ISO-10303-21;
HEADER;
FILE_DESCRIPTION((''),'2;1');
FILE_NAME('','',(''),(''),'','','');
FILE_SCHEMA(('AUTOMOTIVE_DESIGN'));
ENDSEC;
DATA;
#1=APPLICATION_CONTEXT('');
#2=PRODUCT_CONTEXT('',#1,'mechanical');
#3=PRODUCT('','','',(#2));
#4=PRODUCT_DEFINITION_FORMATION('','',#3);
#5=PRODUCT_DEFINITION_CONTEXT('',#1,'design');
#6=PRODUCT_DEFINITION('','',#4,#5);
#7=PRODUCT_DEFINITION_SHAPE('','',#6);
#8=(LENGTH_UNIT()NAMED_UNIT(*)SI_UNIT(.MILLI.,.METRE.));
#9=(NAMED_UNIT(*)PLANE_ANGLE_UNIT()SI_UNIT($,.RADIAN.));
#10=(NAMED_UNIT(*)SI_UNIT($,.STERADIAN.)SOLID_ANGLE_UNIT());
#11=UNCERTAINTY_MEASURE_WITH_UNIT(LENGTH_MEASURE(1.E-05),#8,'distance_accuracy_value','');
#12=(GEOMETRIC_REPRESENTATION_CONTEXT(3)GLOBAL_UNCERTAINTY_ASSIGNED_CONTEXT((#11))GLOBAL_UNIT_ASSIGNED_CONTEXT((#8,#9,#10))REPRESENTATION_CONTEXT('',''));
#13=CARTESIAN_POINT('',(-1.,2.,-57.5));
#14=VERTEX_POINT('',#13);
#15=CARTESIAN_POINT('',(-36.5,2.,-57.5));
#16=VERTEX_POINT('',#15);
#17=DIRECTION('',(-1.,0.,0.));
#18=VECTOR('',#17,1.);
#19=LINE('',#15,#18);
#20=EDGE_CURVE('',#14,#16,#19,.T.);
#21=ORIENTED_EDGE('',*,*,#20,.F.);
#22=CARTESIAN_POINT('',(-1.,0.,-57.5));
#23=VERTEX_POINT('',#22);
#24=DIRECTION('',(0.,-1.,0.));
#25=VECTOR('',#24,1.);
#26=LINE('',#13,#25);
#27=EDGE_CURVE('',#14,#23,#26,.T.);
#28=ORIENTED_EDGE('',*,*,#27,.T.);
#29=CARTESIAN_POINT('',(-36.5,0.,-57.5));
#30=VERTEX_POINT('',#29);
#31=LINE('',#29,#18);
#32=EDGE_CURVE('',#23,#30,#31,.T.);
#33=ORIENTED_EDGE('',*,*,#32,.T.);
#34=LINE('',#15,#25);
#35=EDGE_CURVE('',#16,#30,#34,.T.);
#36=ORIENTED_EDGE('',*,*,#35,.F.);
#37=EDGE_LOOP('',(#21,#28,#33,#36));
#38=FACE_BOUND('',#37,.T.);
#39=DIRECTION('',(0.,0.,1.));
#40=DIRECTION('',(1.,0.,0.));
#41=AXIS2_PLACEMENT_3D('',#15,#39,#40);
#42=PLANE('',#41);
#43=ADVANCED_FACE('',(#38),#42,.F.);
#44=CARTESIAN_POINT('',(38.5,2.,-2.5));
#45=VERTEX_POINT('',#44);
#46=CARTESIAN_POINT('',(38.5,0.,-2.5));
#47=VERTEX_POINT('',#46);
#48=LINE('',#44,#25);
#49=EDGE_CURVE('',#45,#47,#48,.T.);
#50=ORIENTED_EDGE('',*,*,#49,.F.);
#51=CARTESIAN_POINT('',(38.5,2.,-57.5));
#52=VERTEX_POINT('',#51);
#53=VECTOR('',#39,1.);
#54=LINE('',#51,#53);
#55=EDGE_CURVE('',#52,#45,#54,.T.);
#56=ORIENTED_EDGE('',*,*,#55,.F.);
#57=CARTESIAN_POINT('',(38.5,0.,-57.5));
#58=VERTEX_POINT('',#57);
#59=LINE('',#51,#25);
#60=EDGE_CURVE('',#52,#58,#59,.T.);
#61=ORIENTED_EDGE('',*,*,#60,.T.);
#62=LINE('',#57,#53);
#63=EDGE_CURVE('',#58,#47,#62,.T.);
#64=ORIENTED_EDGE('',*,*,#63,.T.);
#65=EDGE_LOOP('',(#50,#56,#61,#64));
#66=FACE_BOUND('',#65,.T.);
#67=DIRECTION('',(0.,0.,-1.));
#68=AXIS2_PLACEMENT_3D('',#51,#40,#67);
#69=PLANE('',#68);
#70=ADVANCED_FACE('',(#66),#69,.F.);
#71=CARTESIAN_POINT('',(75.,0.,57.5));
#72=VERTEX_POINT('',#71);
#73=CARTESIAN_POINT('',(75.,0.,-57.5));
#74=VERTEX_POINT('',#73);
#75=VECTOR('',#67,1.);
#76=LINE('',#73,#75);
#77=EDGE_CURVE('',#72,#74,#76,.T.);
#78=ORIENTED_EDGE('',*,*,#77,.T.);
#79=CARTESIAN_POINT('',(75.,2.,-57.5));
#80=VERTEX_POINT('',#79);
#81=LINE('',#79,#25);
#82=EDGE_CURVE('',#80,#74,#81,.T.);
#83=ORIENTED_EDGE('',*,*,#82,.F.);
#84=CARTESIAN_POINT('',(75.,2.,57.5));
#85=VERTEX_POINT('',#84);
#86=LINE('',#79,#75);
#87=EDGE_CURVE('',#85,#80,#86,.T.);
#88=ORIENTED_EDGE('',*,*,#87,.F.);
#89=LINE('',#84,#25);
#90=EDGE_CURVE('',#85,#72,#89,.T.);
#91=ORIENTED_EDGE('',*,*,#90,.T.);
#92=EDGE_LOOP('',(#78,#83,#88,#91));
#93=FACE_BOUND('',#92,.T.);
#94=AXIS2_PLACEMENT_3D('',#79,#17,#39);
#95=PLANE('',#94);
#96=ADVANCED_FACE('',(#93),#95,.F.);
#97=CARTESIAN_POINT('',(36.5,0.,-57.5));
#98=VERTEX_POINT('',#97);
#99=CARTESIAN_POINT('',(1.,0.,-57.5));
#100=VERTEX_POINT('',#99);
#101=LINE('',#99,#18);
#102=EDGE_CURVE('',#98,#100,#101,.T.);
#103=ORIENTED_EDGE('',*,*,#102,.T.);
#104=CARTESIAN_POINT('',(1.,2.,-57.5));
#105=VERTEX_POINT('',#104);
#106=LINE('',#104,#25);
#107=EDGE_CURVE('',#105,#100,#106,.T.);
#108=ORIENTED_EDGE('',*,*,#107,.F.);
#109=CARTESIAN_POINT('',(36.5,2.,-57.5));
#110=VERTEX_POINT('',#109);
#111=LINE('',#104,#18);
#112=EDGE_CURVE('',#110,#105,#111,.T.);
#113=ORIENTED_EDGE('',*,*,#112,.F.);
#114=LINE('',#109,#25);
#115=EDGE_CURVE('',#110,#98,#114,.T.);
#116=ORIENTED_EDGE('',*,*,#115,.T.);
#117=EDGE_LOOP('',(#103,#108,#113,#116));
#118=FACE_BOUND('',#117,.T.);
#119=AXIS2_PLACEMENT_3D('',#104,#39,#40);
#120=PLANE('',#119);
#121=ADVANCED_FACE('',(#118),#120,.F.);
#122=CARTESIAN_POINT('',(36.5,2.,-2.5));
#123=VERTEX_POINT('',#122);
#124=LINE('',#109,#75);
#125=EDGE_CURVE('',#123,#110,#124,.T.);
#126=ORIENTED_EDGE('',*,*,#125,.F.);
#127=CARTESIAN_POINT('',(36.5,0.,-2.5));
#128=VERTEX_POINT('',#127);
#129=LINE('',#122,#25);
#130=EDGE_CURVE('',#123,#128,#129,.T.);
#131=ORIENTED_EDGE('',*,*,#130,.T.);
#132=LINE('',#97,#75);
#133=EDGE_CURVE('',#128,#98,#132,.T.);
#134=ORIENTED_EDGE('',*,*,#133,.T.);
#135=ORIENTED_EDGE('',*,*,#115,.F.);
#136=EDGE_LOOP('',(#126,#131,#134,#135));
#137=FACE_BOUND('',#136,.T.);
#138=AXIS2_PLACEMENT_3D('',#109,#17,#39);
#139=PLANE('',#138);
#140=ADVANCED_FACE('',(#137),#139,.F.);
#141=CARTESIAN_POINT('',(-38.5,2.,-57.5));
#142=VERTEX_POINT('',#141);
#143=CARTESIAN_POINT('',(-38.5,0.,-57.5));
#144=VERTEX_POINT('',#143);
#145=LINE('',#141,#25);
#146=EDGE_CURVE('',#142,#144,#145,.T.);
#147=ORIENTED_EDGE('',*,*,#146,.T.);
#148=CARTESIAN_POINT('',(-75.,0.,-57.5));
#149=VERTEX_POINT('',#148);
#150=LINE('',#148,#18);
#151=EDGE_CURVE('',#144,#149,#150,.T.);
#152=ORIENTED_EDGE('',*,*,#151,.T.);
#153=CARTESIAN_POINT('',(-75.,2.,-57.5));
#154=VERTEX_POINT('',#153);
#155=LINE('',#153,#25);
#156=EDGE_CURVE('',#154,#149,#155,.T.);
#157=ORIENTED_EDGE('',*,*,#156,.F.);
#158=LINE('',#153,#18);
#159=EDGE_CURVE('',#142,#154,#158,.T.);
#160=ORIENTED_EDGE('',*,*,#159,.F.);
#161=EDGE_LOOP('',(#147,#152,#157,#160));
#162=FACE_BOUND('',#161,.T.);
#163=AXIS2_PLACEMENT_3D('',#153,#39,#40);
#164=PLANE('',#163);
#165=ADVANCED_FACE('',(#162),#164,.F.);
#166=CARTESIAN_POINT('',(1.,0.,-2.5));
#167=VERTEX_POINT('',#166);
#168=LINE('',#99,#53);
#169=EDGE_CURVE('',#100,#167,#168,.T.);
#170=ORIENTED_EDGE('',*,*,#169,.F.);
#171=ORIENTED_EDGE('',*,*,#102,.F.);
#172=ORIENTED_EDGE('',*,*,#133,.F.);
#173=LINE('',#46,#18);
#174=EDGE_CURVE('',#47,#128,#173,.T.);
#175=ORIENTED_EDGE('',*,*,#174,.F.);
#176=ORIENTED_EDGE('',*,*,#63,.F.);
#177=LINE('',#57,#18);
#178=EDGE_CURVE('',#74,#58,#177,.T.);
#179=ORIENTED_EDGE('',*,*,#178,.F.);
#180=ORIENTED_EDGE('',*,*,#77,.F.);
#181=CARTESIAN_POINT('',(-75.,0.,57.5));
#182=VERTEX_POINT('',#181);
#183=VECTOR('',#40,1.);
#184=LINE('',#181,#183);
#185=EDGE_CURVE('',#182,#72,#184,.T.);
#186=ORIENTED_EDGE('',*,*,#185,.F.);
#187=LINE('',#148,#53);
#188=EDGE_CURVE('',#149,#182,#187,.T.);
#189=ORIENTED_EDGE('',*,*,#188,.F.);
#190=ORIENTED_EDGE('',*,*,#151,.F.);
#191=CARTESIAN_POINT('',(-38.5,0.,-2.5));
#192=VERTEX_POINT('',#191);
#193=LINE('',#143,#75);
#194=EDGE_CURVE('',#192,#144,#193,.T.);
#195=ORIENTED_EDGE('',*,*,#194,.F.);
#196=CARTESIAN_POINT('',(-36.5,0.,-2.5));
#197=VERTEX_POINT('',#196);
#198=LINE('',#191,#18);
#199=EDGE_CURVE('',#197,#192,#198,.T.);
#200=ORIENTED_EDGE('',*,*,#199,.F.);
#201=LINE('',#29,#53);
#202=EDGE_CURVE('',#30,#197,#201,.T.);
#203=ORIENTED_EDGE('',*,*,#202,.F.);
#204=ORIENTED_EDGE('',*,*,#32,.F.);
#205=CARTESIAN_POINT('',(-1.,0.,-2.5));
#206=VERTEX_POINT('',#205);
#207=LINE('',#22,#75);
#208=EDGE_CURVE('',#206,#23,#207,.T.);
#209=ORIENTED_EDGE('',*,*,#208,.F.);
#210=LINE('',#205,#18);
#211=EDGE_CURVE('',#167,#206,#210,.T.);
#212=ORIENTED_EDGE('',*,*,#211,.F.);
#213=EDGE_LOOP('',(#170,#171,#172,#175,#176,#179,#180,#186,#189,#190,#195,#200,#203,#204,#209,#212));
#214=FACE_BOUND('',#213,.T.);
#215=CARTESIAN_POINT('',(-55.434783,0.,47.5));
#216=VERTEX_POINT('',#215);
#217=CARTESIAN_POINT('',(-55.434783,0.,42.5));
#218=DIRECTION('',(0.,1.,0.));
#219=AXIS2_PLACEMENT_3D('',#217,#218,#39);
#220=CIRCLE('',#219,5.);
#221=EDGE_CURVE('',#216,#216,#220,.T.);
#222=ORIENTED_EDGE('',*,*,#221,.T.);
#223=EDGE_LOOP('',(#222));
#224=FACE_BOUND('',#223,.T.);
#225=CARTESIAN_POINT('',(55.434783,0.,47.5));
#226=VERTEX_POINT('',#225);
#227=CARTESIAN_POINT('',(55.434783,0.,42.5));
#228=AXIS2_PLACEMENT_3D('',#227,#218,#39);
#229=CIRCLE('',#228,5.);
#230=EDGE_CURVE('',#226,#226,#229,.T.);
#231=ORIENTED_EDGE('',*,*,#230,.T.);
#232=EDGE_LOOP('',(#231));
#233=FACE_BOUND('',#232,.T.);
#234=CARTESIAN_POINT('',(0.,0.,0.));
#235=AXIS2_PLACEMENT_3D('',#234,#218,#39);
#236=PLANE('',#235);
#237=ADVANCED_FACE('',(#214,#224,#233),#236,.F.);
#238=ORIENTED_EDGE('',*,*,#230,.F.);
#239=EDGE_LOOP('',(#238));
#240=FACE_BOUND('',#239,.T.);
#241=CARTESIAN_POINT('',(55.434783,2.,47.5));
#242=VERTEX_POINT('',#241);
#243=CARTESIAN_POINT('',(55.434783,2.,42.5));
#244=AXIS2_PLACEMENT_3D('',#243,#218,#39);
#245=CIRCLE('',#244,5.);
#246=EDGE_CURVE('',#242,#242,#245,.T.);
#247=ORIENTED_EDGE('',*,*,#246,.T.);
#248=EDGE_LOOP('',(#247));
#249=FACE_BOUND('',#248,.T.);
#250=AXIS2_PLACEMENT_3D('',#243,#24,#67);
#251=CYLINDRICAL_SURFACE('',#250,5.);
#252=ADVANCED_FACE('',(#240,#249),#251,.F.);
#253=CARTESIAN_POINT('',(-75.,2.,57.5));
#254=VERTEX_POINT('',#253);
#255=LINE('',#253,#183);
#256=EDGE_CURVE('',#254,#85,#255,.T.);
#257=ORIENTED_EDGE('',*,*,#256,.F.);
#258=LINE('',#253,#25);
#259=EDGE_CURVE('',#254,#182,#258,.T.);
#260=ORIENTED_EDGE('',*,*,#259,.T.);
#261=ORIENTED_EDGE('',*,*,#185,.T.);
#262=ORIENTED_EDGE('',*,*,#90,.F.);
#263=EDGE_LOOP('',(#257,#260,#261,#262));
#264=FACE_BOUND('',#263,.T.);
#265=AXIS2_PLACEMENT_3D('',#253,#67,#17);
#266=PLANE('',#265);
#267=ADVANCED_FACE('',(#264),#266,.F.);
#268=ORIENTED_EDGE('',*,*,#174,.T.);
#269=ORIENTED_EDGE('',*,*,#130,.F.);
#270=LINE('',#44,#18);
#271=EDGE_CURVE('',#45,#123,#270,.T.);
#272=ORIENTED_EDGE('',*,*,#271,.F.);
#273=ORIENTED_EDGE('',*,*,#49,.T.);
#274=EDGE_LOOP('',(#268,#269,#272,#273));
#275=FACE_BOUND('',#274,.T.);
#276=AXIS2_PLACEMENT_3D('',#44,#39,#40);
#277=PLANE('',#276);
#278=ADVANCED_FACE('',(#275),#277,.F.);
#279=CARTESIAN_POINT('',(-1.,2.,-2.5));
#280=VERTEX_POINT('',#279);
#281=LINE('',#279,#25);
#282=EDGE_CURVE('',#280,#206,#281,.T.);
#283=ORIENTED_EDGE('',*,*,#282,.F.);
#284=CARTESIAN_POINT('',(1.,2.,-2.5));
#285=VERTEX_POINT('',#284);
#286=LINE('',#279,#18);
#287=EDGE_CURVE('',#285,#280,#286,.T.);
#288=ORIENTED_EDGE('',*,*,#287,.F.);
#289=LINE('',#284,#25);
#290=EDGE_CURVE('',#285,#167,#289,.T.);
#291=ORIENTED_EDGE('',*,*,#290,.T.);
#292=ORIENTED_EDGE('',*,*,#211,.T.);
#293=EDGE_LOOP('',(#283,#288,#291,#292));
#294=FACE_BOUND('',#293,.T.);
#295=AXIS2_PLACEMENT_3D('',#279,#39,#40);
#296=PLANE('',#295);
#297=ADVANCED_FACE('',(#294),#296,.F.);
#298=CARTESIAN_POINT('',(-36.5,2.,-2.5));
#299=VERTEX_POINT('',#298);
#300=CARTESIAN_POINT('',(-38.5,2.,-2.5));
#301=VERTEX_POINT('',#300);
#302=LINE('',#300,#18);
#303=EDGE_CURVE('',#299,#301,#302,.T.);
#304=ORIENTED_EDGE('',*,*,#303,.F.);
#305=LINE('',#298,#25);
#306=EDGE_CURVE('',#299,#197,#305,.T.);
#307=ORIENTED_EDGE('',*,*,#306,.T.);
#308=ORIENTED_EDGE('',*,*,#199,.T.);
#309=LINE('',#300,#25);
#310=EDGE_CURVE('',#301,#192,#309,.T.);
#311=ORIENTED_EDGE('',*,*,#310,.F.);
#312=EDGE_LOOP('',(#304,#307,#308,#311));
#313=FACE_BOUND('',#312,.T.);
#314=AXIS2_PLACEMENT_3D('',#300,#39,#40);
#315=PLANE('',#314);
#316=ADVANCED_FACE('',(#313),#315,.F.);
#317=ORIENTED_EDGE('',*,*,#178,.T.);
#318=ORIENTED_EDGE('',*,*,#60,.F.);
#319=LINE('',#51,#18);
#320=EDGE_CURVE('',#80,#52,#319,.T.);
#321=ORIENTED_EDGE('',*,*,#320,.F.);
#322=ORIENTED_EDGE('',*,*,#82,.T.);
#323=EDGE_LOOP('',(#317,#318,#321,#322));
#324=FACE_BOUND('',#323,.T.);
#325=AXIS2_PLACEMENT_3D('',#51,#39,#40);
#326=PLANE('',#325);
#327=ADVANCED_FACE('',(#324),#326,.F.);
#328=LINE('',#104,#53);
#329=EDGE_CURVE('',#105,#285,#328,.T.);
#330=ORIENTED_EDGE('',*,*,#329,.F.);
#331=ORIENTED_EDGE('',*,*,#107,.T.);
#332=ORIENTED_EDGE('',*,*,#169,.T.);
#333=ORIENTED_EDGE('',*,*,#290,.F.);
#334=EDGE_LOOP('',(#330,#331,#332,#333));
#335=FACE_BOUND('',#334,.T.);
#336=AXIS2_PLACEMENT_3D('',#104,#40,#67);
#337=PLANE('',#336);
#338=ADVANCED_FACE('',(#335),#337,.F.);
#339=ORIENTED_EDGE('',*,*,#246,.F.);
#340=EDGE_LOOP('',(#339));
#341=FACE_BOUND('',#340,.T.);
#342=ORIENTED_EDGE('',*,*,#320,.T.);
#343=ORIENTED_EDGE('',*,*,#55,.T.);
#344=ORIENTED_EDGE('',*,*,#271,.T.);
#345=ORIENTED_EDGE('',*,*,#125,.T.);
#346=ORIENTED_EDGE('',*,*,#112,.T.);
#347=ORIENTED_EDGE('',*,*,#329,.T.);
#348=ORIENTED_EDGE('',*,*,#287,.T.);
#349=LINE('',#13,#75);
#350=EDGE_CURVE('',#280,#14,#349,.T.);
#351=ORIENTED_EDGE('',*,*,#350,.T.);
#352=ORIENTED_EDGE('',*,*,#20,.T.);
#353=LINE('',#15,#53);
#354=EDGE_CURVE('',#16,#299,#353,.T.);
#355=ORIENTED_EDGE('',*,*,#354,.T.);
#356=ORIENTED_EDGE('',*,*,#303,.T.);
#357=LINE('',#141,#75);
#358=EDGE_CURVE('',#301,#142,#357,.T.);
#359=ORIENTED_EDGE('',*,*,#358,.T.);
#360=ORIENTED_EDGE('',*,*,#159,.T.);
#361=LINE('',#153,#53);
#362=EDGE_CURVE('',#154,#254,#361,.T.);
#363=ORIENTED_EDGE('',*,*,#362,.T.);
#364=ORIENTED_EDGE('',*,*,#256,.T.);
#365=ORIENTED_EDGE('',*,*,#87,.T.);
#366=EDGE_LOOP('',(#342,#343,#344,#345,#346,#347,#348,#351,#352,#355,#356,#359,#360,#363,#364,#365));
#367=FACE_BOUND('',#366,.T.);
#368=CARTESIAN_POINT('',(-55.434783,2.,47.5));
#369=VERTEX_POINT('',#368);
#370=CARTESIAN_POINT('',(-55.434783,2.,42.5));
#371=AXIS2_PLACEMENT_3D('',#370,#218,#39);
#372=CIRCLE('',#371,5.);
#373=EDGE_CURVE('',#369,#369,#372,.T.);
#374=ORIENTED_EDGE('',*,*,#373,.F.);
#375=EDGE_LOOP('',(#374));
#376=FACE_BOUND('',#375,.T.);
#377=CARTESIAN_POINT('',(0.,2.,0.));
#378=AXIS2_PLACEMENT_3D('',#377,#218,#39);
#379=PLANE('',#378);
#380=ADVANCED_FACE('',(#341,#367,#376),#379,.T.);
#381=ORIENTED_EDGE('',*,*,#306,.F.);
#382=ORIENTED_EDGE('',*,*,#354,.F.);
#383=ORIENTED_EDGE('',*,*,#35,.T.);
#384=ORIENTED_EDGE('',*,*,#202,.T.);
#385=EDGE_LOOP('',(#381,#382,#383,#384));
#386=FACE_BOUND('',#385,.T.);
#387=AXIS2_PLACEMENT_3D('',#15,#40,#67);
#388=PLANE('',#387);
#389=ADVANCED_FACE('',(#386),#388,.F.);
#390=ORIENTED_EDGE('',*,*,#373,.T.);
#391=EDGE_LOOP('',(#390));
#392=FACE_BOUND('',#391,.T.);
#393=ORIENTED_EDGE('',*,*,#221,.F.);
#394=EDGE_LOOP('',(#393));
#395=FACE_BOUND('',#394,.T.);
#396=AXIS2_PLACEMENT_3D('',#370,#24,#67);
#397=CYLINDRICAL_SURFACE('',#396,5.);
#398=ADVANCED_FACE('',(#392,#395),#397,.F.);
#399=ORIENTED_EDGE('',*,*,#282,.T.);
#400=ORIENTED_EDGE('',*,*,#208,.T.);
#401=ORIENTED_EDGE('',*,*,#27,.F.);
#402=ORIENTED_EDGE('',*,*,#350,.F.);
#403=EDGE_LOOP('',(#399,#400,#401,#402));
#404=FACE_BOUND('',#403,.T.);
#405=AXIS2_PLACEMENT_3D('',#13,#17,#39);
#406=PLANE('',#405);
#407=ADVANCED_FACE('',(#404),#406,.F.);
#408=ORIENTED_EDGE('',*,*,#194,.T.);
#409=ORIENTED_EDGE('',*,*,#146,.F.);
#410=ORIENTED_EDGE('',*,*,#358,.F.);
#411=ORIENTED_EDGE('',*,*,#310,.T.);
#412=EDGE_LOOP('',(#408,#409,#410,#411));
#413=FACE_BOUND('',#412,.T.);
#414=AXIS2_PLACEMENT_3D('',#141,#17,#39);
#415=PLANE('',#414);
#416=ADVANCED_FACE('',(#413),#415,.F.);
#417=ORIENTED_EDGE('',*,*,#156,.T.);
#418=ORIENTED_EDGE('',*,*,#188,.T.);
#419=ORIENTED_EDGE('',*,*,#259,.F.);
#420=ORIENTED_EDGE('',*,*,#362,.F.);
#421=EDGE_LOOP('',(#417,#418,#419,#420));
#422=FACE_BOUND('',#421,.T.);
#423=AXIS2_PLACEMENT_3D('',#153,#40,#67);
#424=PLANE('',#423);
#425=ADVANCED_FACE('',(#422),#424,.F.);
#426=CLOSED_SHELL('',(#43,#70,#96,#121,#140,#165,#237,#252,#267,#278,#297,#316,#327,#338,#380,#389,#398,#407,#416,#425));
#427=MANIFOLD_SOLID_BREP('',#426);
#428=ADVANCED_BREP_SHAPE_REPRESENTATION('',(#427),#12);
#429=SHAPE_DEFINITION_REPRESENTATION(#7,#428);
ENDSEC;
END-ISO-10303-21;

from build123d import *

# Parameters (mm, degrees)
SKETCH1_R           = 5
BOSS_EXTRUDE1_DEPTH = 2


with BuildPart() as part:
    # Sketch1 → Boss-Extrude1 (new body)
    with BuildSketch(Plane(origin=(0, 0, 0), x_dir=(1, 0, 0), z_dir=(0, 1, 0))):
        Polygon((1, 57.5), (36.5, 57.5), (36.5, 2.5), (38.5, 2.5), (38.5, 57.5), (75, 57.5), (75, -57.5), (-75, -57.5), (-75, 57.5), (-38.5, 57.5), (-38.5, 2.5), (-36.5, 2.5), (-36.5, 57.5), (-1, 57.5), (-1, 2.5), (1, 2.5), align=None)
        with Locations(Location((-55.434782609, -42.5, 0), (0, 0, 270))):
            Circle(SKETCH1_R, mode=Mode.SUBTRACT)
        with Locations(Location((55.434782609, -42.5, 0), (0, 0, 270))):
            Circle(SKETCH1_R, mode=Mode.SUBTRACT)
    extrude(amount=BOSS_EXTRUDE1_DEPTH)


solid = part.part
